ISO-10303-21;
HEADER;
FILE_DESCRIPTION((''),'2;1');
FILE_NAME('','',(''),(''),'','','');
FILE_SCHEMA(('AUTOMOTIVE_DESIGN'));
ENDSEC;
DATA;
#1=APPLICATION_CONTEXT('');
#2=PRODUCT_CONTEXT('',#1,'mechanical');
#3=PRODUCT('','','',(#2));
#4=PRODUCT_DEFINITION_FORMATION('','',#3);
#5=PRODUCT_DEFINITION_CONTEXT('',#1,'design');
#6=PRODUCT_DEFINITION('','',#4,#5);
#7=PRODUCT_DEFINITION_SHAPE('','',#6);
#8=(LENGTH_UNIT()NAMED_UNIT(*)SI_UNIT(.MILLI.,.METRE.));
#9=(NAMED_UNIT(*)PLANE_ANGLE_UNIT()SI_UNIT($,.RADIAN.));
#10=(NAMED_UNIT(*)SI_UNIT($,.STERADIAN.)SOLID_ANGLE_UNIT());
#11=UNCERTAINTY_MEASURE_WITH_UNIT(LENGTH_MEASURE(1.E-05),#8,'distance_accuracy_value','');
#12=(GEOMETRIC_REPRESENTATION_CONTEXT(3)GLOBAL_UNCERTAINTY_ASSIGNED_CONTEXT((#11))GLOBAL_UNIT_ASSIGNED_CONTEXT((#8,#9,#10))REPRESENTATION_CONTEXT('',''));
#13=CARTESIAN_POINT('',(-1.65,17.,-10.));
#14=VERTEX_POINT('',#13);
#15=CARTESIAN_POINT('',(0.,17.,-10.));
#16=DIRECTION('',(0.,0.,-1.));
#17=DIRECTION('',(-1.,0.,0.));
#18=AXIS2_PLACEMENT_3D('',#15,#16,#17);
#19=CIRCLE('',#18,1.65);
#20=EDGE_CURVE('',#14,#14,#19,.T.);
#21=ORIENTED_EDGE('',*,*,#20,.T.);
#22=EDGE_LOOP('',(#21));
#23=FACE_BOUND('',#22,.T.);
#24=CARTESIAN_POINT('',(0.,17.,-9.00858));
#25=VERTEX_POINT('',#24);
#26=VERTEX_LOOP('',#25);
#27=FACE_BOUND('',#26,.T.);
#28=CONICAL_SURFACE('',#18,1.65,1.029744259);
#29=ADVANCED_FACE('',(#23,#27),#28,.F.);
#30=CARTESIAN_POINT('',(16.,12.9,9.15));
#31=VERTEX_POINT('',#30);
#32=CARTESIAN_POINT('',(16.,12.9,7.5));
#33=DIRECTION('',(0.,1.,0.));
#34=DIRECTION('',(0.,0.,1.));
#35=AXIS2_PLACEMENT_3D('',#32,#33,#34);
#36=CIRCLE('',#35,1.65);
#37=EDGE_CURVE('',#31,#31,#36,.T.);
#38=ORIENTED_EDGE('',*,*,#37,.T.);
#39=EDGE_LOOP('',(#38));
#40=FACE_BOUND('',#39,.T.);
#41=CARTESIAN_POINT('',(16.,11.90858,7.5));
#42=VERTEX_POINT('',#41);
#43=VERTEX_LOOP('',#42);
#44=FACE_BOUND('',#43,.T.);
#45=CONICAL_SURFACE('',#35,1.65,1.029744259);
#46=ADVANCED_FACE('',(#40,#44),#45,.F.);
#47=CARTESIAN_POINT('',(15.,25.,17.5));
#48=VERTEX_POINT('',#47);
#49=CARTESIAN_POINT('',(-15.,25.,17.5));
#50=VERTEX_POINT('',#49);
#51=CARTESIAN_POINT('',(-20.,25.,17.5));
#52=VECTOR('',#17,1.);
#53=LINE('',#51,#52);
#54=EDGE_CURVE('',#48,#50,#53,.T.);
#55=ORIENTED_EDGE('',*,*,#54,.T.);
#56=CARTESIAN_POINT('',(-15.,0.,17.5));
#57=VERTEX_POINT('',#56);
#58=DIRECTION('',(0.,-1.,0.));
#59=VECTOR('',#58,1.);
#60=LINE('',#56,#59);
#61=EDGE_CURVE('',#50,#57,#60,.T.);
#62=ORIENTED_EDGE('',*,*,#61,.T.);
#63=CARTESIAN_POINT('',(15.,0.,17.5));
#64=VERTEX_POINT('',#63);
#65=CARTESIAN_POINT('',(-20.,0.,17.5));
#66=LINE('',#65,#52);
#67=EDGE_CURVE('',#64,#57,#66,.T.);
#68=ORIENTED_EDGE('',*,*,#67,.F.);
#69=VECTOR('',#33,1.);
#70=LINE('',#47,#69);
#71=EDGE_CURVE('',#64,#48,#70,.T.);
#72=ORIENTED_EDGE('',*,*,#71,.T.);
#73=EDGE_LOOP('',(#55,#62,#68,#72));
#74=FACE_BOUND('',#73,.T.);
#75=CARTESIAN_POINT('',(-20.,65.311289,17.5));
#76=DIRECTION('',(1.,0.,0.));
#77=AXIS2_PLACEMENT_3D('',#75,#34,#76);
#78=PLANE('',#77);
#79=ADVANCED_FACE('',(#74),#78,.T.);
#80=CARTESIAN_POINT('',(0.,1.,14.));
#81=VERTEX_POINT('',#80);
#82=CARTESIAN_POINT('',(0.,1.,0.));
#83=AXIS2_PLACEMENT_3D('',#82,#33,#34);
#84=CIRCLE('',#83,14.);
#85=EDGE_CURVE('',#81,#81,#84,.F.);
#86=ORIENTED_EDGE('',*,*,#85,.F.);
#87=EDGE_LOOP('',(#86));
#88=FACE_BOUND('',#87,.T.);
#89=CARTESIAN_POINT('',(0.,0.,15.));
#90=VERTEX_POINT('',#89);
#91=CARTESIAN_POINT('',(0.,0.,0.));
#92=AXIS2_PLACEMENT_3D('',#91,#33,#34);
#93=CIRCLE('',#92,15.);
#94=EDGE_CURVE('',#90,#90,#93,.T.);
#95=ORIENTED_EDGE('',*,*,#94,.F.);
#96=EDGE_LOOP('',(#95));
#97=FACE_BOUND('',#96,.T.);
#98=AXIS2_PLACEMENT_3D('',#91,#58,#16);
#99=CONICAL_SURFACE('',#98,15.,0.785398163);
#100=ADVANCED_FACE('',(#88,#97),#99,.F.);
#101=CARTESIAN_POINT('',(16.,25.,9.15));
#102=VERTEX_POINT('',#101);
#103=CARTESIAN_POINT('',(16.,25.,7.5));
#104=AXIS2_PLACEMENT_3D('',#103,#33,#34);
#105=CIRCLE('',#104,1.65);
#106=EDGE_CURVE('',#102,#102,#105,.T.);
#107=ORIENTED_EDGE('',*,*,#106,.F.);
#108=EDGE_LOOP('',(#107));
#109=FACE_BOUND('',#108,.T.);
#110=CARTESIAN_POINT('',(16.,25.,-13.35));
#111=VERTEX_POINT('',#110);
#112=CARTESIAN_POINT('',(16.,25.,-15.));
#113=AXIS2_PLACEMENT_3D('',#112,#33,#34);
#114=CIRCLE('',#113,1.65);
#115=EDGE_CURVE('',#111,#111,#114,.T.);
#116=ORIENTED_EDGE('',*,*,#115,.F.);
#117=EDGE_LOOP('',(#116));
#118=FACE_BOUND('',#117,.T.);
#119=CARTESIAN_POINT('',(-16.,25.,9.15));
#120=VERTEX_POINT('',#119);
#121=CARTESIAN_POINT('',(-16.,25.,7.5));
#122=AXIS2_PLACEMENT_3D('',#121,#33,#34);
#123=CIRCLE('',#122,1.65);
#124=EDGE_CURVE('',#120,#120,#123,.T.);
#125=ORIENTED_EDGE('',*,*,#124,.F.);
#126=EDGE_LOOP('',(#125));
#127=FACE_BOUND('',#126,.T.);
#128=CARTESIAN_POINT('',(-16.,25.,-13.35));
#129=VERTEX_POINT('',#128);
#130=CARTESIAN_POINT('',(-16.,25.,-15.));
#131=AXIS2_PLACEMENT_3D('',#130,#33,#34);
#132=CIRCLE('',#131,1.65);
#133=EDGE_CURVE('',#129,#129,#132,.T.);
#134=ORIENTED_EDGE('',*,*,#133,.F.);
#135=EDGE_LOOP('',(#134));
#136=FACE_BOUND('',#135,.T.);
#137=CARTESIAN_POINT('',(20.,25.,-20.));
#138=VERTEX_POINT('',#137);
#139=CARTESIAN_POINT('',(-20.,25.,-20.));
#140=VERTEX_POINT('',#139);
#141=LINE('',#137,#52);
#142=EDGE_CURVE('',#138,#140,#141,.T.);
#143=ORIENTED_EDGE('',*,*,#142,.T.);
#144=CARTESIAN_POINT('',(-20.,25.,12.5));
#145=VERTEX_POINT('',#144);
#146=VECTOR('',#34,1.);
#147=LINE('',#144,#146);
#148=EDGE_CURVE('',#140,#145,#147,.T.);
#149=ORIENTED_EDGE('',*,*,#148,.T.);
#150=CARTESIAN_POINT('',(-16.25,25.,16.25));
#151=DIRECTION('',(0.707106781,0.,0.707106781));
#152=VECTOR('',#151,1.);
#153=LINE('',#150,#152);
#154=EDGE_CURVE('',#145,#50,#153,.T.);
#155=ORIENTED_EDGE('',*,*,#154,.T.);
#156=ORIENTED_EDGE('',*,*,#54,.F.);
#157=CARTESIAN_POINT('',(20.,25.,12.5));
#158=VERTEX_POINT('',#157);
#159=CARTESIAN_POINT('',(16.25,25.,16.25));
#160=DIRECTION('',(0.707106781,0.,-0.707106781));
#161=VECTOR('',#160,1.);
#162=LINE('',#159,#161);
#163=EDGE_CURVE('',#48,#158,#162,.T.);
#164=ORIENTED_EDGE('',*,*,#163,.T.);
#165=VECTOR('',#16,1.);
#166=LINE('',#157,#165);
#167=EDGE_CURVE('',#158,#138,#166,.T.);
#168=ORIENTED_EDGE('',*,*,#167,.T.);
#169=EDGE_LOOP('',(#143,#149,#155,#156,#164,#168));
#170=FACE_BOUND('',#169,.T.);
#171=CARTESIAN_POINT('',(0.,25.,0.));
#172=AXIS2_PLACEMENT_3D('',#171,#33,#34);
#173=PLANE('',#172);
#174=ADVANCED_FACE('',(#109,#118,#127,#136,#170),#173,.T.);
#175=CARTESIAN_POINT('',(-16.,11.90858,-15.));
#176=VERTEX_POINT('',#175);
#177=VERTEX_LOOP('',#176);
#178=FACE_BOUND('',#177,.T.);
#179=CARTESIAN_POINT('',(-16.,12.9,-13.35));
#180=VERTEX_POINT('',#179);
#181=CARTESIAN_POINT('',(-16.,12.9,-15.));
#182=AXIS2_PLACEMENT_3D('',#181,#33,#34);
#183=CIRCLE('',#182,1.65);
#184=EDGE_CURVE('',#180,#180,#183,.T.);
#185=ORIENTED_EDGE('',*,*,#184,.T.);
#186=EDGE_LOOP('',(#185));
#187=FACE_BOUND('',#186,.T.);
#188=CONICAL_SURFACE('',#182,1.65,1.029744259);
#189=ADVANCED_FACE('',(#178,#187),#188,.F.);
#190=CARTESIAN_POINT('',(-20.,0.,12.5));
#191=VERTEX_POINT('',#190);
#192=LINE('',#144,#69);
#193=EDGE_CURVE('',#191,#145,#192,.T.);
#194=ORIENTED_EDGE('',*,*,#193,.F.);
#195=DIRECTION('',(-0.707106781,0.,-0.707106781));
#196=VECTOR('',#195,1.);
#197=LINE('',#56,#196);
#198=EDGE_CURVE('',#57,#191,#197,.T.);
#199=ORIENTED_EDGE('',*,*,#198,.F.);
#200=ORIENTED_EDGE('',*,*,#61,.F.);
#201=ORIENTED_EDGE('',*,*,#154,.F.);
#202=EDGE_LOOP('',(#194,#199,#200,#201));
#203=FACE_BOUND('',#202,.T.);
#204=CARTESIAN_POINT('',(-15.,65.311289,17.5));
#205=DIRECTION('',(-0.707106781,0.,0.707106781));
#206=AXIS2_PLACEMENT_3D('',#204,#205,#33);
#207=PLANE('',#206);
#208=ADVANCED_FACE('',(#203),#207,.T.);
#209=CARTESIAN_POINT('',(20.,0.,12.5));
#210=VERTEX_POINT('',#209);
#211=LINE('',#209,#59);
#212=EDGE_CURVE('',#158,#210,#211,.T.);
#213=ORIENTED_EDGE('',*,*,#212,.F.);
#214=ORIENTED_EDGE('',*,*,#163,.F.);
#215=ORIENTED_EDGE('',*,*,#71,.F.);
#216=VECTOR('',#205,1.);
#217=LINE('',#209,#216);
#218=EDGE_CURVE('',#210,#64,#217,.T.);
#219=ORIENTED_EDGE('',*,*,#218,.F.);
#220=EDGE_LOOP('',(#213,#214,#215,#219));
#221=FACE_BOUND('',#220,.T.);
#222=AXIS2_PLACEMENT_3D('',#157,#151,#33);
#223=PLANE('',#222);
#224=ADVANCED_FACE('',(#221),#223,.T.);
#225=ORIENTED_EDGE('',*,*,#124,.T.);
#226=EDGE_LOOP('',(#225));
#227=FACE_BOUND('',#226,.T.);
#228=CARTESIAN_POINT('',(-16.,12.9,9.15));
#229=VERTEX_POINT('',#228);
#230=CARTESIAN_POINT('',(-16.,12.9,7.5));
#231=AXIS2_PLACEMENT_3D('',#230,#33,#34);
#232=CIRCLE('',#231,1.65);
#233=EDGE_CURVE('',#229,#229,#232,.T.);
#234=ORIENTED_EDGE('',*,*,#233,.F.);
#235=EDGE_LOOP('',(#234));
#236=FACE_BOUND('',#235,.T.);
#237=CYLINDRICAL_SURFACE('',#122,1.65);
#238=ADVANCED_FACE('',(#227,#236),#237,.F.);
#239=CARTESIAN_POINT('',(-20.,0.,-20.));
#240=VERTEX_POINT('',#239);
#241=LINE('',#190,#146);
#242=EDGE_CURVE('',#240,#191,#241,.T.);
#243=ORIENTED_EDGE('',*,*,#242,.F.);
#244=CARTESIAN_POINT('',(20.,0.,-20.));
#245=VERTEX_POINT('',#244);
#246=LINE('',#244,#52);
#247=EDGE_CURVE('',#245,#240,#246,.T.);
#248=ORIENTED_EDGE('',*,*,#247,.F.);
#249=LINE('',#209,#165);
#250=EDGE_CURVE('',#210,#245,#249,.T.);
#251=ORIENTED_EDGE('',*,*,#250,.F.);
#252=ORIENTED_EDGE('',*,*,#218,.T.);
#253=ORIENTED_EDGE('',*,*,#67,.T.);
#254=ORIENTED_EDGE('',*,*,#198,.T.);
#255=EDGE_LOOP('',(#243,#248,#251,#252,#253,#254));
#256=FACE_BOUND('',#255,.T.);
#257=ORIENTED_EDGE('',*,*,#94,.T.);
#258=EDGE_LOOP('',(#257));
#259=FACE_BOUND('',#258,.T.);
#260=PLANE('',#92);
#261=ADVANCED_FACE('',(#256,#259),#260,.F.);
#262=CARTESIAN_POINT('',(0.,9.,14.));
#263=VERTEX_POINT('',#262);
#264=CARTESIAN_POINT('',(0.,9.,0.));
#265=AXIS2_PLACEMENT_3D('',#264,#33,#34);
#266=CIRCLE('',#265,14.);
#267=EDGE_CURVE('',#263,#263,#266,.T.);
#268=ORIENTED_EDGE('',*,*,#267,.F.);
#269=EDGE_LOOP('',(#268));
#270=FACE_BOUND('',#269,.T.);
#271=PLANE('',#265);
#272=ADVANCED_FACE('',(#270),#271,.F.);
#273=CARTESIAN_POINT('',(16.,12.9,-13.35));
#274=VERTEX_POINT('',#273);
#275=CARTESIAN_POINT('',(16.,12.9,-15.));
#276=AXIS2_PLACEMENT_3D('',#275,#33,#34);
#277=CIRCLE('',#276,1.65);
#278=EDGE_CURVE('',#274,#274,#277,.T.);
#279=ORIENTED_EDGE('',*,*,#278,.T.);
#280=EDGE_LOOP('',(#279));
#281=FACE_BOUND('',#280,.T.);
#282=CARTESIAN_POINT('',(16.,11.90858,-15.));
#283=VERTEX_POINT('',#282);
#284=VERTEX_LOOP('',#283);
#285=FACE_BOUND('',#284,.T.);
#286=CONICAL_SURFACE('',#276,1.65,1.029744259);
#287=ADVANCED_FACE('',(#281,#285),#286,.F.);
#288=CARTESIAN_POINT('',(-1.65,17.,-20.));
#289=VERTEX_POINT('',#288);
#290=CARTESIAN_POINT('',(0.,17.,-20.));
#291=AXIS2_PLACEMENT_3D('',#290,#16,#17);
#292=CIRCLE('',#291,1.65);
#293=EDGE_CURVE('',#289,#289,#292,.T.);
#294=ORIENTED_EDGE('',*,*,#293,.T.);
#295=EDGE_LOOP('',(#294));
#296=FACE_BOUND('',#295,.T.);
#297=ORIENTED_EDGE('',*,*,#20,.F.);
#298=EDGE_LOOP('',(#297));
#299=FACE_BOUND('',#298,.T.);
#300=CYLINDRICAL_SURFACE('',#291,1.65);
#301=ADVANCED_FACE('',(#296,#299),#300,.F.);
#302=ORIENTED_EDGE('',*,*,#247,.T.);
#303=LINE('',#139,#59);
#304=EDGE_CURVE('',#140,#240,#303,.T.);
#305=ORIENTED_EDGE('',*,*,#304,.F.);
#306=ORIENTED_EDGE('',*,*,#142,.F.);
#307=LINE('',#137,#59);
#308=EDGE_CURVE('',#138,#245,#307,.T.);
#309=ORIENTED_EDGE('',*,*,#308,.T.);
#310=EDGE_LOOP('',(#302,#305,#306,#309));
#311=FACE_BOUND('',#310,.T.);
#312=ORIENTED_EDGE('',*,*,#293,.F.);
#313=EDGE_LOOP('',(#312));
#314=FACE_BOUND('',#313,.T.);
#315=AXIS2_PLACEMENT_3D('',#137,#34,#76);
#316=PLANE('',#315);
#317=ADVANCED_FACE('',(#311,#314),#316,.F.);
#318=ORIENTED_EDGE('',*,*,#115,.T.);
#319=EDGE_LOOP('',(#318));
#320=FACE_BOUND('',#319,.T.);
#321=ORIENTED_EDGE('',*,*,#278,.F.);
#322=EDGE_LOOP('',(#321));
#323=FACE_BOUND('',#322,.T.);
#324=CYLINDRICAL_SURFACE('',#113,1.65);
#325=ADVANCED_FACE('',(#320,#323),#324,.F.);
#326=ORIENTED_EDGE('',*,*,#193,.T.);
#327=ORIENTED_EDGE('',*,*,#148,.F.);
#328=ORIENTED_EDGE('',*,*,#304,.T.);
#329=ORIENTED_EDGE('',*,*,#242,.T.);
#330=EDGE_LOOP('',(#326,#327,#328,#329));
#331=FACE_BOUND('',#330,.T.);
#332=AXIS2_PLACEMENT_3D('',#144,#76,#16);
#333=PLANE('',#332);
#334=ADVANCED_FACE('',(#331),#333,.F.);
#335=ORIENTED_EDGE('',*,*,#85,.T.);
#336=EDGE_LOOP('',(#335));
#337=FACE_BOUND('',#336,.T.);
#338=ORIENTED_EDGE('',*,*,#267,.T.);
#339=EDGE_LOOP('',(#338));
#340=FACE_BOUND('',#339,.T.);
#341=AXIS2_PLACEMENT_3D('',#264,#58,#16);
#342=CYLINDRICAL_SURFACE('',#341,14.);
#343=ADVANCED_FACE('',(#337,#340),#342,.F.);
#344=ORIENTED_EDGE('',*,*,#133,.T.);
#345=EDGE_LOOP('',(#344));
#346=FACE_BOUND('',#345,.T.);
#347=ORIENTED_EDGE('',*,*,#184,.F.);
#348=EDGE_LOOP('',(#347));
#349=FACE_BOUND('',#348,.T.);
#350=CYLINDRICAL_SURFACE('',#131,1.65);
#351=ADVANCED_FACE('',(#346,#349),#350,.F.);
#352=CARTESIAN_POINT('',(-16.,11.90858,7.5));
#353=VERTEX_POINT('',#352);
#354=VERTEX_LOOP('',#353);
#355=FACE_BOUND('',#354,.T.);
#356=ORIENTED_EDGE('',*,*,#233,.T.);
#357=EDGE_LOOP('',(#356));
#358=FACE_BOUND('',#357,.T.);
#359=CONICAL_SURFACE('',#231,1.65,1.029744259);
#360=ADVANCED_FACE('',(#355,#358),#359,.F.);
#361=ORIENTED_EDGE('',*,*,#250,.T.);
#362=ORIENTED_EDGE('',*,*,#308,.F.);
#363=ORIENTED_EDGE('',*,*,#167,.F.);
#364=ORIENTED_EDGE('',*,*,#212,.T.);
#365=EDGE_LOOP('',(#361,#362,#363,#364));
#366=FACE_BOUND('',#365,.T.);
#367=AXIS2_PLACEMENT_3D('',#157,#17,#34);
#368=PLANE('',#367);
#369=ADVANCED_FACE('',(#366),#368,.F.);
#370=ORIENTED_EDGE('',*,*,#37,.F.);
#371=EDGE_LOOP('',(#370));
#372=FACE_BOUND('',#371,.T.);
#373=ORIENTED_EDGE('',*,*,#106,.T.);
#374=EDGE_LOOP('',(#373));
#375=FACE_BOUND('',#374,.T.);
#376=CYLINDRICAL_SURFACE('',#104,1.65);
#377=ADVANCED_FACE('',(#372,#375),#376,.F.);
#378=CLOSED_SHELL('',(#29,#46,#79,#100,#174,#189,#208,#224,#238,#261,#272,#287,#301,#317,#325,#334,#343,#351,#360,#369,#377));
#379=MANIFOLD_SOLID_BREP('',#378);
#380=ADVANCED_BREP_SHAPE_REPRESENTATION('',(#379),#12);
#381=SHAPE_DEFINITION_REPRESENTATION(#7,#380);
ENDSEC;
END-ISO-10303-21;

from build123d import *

# Parameters (mm, degrees)
SKETCH2_W             = 40
SKETCH2_H             = 32.5
BOSS_EXTRUDE1_DEPTH   = 25
SKETCH3_W             = 40
SKETCH3_H             = 5
BOSS_EXTRUDE2_DEPTH   = 25
SKETCH1_R             = 14
CUT_EXTRUDE1_DEPTH    = 9
CHAMFER1_SIZE         = 1
M4_TAPPED_HOLE2_D     = 3.3
M4_TAPPED_HOLE2_DEPTH = 10
M4_TAPPED_HOLE2_TIP   = 0.991420021
CHAMFER2_SIZE         = 5
M4_TAPPED_HOLE3_D     = 3.3
M4_TAPPED_HOLE3_DEPTH = 12.1
M4_TAPPED_HOLE3_TIP   = 0.991420021


with BuildPart() as part:
    # Sketch2 → Boss-Extrude1 (new body)
    with BuildSketch(Plane(origin=(0, 0, 0), x_dir=(1, 0, 0), z_dir=(0, 1, 0))):
        with Locations((0, 3.75)):
            Rectangle(SKETCH2_W, SKETCH2_H)
    extrude(amount=BOSS_EXTRUDE1_DEPTH)

    # Sketch3 → Boss-Extrude2 (add)
    with BuildSketch(Plane.XZ):
        with Locations((0, 15)):
            Rectangle(SKETCH3_W, SKETCH3_H)
    extrude(amount=-BOSS_EXTRUDE2_DEPTH)

    # Sketch1 → Cut-Extrude1 (cut)
    with BuildSketch(Plane(origin=(0, 0, 0), x_dir=(1, 0, 0), z_dir=(0, 1, 0))):
        with Locations(Location((0, 0, 0), (0, 0, 270))):
            Circle(SKETCH1_R)
    extrude(amount=CUT_EXTRUDE1_DEPTH, mode=Mode.SUBTRACT)

    # Chamfer1
    chamfer1_edges = [part.edges().sort_by_distance(p)[0] for p in [
        (0, 0, -14),
    ]]
    chamfer(chamfer1_edges, length=CHAMFER1_SIZE)

    # M4 Tapped Hole2
    with Locations(Plane(origin=(0, 0, -20), x_dir=(-1, 0, 0), z_dir=(0, 0, -1))):
        with Locations((0, 17)):
            Hole(M4_TAPPED_HOLE2_D / 2, depth=M4_TAPPED_HOLE2_DEPTH)
            with Locations((0, 0, -(M4_TAPPED_HOLE2_DEPTH + M4_TAPPED_HOLE2_TIP / 2))):  # 118° drill point
                Cone(0, M4_TAPPED_HOLE2_D / 2, M4_TAPPED_HOLE2_TIP, mode=Mode.SUBTRACT)

    # Chamfer2
    chamfer2_edges = [part.edges().sort_by_distance(p)[0] for p in [
        (20, 12.5, 17.5),
        (-20, 12.5, 17.5),
    ]]
    chamfer(chamfer2_edges, length=CHAMFER2_SIZE)

    # M4 Tapped Hole3
    with Locations(Plane(origin=(0, 25, 0), x_dir=(1, 0, 0), z_dir=(0, 1, 0))):
        with Locations((-16, 15), (-16, -7.5), (16, -7.5), (16, 15)):
            Hole(M4_TAPPED_HOLE3_D / 2, depth=M4_TAPPED_HOLE3_DEPTH)
            with Locations((0, 0, -(M4_TAPPED_HOLE3_DEPTH + M4_TAPPED_HOLE3_TIP / 2))):  # 118° drill point
                Cone(0, M4_TAPPED_HOLE3_D / 2, M4_TAPPED_HOLE3_TIP, mode=Mode.SUBTRACT)


solid = part.part
